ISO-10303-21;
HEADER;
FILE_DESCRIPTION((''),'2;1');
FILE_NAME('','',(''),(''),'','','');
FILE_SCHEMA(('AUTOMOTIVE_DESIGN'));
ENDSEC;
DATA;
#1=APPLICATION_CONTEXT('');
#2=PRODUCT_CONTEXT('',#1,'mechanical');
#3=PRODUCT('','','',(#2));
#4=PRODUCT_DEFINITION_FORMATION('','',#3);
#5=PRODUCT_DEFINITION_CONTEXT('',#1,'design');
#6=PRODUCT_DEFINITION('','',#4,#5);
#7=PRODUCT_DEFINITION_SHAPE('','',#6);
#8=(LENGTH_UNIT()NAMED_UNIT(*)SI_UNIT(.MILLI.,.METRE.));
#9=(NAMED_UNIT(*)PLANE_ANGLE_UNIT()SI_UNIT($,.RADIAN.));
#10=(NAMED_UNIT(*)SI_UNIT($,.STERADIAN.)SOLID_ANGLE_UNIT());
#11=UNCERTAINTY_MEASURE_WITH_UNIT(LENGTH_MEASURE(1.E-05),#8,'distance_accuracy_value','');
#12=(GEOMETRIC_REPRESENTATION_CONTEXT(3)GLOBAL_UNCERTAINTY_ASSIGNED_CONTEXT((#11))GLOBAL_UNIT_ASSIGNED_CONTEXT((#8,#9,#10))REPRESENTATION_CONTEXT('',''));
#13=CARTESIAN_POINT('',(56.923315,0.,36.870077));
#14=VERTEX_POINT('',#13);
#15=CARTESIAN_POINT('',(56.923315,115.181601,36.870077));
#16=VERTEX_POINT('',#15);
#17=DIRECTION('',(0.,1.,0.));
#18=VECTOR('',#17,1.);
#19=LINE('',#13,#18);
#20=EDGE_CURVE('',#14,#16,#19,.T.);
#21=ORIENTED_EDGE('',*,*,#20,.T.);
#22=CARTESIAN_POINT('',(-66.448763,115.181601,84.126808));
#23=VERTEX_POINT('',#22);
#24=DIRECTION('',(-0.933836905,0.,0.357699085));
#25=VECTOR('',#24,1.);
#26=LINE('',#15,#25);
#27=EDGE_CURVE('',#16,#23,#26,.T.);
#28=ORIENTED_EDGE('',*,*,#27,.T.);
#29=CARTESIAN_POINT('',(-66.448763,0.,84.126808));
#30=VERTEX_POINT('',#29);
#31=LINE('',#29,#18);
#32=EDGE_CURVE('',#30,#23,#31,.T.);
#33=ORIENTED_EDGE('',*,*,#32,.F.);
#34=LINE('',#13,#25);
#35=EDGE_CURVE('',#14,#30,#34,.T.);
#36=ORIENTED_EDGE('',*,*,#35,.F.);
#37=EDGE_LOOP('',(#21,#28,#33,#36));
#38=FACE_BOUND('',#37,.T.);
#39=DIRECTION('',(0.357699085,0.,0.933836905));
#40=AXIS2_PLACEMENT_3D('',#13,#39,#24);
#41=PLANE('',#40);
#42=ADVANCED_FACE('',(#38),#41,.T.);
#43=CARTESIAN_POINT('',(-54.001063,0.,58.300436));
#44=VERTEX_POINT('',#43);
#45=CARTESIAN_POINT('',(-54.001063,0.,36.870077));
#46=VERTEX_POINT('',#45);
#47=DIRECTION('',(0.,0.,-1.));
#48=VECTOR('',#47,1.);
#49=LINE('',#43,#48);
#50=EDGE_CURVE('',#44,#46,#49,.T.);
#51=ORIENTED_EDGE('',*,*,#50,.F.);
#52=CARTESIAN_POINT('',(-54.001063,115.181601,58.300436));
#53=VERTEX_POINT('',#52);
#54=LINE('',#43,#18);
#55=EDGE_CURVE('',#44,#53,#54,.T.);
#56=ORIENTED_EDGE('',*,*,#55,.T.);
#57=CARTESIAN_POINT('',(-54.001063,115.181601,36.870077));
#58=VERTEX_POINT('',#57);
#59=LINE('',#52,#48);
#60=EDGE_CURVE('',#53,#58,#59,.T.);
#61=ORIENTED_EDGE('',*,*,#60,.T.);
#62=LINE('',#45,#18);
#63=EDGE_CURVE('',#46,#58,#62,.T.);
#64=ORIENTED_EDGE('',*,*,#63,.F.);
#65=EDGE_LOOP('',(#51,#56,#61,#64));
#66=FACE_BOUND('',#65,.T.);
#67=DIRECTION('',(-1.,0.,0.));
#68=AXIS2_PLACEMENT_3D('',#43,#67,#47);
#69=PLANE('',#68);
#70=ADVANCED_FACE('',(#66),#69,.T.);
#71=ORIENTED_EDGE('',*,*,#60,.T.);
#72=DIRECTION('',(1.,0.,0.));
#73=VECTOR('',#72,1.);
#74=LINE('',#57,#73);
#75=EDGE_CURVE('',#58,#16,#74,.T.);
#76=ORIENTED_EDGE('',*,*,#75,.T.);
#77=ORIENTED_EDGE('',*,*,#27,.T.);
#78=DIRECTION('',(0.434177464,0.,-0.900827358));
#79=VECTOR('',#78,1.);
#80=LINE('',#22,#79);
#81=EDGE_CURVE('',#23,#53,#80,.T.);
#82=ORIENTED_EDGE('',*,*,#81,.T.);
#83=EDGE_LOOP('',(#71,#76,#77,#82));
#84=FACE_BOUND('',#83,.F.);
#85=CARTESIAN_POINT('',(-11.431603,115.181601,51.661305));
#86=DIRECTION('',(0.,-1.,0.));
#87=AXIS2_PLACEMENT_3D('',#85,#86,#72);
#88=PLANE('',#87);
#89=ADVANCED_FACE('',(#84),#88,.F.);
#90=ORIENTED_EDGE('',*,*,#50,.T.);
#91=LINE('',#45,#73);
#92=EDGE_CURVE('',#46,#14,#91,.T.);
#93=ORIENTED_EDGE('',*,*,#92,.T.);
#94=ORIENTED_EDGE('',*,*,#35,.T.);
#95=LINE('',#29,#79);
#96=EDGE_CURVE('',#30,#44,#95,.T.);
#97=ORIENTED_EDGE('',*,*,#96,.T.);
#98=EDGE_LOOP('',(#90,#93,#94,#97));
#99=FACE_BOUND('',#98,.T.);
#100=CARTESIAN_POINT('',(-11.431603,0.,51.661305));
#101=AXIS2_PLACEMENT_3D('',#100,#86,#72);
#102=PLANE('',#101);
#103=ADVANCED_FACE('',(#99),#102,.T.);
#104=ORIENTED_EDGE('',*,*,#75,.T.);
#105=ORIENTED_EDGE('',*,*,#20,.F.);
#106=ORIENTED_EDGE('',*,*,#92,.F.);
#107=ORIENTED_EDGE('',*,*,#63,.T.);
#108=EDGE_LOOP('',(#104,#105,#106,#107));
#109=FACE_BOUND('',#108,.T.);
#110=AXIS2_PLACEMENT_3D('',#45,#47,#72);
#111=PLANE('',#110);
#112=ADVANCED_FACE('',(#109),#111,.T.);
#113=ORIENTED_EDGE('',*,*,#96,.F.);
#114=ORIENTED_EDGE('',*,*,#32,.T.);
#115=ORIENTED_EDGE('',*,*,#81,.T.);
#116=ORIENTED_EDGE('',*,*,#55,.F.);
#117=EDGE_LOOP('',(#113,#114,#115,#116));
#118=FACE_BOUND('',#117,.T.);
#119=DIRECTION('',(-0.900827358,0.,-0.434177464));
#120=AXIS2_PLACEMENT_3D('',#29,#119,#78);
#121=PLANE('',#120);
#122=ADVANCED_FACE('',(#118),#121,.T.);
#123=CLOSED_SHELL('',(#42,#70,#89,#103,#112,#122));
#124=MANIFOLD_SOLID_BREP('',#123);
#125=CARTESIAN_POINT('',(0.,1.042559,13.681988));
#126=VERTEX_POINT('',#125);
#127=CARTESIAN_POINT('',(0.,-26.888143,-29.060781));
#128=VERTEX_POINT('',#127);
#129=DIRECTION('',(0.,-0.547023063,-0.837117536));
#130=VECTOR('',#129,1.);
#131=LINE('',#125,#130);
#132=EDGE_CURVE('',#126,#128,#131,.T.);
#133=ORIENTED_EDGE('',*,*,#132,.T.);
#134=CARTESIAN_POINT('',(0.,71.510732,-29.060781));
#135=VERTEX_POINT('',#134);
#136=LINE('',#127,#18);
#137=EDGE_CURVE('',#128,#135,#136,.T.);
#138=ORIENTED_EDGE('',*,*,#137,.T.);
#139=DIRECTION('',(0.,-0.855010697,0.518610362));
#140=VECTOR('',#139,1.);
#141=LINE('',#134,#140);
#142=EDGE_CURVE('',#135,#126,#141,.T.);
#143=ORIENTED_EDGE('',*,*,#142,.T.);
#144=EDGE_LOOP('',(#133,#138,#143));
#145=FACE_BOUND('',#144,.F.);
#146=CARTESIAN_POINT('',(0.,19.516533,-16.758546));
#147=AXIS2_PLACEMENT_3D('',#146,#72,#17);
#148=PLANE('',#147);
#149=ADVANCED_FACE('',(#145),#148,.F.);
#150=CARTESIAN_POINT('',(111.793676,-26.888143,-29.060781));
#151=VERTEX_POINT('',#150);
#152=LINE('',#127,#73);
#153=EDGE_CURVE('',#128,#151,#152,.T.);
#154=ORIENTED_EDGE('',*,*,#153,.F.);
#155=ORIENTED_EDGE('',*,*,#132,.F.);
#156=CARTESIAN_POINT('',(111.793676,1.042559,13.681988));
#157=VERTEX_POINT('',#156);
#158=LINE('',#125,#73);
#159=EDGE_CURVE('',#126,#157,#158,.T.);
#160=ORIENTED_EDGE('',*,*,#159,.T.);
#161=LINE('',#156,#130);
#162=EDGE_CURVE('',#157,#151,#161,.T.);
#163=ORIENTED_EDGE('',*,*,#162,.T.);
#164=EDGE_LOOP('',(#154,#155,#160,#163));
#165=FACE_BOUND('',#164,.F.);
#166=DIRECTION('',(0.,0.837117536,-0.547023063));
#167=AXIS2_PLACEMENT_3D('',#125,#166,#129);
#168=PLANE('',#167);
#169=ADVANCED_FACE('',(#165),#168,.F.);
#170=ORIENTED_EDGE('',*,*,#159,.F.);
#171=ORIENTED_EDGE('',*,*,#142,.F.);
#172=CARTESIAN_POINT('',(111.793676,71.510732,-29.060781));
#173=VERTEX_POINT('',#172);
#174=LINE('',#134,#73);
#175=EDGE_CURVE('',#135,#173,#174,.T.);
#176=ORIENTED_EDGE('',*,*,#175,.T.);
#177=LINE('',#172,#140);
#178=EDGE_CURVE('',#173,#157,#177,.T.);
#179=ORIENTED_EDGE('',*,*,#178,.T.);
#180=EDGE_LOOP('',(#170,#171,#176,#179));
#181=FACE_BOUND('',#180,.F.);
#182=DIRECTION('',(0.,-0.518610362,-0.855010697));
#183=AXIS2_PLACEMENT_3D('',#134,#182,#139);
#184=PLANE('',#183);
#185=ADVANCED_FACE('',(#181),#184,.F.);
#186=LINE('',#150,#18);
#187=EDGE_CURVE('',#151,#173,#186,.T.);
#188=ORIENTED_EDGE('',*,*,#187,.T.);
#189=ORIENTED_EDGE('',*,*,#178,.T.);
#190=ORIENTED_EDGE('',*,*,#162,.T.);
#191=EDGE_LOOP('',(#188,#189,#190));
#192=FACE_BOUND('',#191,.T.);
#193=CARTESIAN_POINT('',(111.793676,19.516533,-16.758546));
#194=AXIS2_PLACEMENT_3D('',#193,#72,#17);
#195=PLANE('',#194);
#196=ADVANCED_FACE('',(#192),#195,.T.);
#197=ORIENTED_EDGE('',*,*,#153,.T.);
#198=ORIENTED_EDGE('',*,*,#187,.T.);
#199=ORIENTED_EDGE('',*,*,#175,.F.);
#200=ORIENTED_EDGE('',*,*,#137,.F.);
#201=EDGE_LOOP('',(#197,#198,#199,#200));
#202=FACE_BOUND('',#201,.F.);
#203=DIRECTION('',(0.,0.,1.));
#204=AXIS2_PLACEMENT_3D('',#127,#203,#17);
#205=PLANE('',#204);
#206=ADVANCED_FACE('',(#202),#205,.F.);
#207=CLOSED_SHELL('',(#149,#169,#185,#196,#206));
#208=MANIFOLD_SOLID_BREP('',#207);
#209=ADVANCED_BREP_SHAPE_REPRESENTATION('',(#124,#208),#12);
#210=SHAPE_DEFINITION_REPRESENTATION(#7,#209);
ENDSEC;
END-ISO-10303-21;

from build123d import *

# Parameters (mm, degrees)
F2_DEPTH = 115.181601
F3_DEPTH = 111.793676


with BuildPart() as f2:
    # F0 (on Front) → F2 (new body)
    with BuildSketch(Plane.XZ):
        Polygon((-54.001063, 58.300436), (-54.001063, 36.870077), (56.923315, 36.870077), (-66.448763, 84.126808), align=None)
    extrude(amount=-F2_DEPTH)


with BuildPart() as f3:
    # F1 (on Right) → F3 (new body)
    with BuildSketch(Plane.YZ):
        Polygon((71.510732, -29.060781), (1.042559, 13.681988), (-26.888143, -29.060781), align=None)
    extrude(amount=F3_DEPTH)


solid = Compound([f2.part, f3.part])
